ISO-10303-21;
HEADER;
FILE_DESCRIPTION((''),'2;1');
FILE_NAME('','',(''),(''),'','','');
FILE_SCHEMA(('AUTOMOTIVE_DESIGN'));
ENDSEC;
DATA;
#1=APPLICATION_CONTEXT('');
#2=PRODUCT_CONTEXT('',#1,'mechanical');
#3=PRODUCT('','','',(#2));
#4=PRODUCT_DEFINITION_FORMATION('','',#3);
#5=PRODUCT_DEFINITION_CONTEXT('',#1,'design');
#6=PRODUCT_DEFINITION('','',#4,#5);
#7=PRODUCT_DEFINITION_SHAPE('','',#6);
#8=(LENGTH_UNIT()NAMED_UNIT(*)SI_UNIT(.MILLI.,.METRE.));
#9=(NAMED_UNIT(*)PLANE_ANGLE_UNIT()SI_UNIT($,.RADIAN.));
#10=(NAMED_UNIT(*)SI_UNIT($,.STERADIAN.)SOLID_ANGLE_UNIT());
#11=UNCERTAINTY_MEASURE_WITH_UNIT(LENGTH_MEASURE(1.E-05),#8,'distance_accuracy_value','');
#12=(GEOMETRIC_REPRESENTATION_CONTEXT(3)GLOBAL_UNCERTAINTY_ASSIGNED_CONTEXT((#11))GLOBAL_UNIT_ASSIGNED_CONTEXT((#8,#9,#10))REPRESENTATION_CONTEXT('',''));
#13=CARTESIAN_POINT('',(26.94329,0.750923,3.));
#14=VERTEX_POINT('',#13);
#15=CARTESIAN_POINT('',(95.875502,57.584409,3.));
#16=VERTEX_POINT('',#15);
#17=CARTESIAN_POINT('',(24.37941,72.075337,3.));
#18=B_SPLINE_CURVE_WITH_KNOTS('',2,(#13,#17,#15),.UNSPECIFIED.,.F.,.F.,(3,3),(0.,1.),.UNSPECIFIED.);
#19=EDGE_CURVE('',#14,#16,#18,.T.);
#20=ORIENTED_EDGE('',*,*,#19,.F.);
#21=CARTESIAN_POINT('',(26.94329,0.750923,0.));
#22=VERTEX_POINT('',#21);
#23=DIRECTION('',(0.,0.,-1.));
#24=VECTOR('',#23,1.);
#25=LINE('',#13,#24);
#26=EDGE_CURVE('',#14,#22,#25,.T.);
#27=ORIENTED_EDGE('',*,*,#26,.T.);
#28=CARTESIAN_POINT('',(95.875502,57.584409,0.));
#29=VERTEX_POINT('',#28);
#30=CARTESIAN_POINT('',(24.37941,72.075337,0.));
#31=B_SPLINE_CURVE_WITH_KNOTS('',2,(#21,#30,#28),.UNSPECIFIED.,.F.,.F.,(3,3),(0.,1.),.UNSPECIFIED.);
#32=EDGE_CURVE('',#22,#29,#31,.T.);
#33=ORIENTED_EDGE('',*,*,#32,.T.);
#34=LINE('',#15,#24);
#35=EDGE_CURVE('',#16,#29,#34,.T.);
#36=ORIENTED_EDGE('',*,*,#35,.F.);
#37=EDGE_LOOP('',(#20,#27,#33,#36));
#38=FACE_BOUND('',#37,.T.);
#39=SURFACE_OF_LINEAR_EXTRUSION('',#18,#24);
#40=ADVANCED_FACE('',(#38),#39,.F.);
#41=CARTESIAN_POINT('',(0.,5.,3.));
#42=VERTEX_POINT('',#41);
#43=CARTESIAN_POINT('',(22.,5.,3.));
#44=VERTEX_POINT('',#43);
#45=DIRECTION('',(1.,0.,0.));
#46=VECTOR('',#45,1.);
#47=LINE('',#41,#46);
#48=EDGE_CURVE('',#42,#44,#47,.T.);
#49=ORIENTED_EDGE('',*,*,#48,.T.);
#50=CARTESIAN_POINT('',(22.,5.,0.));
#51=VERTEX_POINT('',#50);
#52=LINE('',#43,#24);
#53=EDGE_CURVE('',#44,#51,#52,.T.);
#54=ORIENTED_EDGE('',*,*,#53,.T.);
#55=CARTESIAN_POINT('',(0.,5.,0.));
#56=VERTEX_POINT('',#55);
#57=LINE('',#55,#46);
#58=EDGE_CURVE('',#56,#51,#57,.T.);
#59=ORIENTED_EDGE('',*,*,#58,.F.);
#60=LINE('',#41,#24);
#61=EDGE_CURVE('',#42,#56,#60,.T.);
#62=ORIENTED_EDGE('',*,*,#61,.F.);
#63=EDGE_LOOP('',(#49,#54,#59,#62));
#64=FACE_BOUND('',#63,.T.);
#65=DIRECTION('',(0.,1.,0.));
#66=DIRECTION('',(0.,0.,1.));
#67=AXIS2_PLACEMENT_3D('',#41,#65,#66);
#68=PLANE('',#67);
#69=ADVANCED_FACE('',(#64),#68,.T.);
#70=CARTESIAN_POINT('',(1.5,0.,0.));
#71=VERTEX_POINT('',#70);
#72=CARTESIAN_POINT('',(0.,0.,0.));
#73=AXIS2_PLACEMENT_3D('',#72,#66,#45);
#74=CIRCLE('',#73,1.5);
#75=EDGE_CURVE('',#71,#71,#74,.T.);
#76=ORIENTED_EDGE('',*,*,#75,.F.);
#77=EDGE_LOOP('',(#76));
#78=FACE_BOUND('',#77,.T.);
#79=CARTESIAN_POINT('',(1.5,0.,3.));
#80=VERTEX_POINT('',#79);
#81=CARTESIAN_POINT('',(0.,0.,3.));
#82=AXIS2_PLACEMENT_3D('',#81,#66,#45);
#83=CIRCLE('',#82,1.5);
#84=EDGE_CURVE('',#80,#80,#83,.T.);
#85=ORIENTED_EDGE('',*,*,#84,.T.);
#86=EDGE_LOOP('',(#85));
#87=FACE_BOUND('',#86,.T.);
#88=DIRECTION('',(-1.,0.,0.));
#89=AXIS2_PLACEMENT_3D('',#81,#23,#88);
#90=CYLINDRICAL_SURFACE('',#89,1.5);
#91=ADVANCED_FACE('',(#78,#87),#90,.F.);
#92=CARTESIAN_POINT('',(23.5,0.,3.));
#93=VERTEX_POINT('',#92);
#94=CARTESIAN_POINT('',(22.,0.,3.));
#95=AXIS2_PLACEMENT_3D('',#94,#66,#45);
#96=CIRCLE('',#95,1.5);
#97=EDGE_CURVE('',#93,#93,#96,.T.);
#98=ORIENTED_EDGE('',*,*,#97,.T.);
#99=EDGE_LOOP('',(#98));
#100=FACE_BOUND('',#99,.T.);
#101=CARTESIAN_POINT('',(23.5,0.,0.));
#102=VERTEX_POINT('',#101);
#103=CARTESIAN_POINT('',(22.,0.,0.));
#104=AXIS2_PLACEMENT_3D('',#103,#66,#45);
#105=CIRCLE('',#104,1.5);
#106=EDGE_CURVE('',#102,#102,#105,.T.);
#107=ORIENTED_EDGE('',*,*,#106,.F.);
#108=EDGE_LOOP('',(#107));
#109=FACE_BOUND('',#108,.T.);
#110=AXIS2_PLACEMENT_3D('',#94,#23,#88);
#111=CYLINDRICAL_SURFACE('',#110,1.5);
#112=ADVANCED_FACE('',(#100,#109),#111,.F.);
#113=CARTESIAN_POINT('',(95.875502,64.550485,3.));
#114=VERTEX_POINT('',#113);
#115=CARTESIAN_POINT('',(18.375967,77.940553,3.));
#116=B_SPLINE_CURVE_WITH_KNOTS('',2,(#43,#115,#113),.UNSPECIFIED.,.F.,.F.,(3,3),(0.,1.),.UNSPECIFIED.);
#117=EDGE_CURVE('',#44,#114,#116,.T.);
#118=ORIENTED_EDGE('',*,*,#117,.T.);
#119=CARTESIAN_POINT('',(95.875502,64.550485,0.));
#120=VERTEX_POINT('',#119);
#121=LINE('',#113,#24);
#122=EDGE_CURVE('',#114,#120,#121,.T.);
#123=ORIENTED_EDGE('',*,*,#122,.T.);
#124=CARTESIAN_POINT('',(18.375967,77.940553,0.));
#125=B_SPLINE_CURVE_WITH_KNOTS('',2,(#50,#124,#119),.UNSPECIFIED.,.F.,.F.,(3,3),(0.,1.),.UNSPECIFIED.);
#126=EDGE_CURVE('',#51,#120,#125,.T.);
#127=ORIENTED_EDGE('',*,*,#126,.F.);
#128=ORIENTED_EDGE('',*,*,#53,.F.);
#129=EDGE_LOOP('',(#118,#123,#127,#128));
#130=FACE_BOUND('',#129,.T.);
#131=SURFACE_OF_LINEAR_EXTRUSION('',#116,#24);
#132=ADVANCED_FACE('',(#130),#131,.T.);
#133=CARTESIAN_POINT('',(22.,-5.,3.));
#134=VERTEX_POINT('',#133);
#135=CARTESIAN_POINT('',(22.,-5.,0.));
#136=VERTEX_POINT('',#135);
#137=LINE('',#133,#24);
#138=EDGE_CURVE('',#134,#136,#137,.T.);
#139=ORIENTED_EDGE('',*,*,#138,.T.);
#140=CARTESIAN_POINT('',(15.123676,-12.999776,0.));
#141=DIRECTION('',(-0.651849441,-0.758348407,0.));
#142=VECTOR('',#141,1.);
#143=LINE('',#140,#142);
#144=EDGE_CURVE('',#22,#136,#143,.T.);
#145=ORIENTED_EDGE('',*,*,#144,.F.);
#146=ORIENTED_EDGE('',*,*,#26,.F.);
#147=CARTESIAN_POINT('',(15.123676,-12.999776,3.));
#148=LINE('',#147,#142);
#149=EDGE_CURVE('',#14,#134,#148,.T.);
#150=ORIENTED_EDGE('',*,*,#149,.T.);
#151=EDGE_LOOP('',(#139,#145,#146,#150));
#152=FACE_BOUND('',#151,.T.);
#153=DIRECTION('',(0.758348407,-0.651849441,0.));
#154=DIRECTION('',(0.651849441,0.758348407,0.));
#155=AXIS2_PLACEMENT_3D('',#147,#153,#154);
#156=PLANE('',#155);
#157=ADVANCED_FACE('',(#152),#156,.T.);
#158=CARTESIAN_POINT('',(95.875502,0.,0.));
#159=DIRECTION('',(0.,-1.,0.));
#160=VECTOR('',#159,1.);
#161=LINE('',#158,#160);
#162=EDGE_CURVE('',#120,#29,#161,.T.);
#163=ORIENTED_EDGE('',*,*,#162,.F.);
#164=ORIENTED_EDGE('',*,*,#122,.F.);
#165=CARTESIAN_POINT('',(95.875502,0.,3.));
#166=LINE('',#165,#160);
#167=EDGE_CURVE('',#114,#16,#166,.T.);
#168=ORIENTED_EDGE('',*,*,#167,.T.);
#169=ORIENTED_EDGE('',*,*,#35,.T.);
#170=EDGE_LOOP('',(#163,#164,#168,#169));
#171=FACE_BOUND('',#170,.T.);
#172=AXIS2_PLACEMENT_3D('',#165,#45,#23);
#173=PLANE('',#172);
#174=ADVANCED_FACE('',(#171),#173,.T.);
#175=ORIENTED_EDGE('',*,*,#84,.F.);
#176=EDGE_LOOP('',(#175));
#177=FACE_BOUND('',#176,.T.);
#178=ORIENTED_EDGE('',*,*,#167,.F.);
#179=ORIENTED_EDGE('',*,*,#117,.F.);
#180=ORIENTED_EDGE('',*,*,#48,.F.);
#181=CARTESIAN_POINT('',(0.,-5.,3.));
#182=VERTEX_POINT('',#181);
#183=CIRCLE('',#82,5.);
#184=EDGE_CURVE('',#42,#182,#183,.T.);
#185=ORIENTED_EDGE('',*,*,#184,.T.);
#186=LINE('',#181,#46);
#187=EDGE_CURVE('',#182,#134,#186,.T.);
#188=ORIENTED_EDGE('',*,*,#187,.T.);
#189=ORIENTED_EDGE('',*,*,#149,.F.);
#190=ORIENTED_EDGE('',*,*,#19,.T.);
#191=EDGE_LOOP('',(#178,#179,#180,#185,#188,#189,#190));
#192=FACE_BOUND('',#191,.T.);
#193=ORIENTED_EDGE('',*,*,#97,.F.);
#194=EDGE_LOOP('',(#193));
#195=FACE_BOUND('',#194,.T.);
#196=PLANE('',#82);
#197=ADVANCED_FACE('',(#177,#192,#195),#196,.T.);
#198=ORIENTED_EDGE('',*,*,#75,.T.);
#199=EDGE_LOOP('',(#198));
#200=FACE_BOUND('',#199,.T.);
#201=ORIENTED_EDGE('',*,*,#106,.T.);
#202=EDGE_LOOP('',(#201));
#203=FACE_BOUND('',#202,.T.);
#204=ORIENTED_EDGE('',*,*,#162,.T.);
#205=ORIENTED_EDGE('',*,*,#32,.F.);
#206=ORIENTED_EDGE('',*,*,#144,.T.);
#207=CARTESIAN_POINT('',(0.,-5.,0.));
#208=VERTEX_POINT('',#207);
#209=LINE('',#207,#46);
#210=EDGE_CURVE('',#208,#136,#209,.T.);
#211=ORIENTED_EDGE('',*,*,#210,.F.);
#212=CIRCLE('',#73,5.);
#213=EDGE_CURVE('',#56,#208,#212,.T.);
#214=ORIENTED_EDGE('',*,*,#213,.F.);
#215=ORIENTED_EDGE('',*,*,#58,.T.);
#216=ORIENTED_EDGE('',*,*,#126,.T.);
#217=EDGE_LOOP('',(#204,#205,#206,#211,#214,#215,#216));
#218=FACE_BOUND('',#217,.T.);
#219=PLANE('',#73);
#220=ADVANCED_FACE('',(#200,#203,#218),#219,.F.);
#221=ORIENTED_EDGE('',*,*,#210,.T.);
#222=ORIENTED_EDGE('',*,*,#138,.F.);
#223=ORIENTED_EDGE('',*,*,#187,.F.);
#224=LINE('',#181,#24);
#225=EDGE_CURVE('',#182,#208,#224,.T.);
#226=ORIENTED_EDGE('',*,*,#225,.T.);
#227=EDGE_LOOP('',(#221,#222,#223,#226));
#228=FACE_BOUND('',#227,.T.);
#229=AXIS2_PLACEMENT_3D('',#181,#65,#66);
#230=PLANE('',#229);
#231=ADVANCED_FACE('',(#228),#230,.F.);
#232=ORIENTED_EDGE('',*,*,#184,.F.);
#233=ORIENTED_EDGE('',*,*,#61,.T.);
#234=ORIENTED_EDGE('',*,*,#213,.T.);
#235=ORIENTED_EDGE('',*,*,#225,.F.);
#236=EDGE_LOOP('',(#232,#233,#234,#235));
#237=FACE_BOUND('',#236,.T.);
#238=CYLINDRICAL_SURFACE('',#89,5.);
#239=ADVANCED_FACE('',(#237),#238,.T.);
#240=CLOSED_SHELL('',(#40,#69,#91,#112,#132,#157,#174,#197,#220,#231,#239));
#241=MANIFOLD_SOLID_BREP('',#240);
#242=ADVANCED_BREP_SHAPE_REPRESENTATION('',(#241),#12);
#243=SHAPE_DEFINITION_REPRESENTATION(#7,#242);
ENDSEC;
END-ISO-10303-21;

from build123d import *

# Parameters (mm, degrees)
SKETCH1_R           = 1.5
BOSS_EXTRUDE1_DEPTH = 3


with BuildPart() as part:
    # Sketch1 → Boss-Extrude1 (new body)
    with BuildSketch(Plane.XY):
        with BuildLine():
            Line((0, 5), (22, 5))
            add(Edge.make_bspline(
                [(22, 5), (18.375967342, 77.940552932), (95.875501698, 64.550484918)],
                knots=[0, 0, 0, 1, 1, 1], degree=2))
            Line((95.875501698, 64.550484918), (95.875501698, 57.584409058))
            add(Edge.make_bspline(
                [(26.94328985, 0.750923068), (24.379410311, 72.075337148), (95.875501698, 57.584409058)],
                knots=[0, 0, 0, 1, 1, 1], degree=2))
            Line((26.94328985, 0.750923068), (22, -5))
            Line((22, -5), (0, -5))
            ThreePointArc((0, -5), (-5, 0), (0, 5))
        make_face()
        Circle(SKETCH1_R, mode=Mode.SUBTRACT)
        with Locations((22, 0)):
            Circle(SKETCH1_R, mode=Mode.SUBTRACT)
    extrude(amount=BOSS_EXTRUDE1_DEPTH)


solid = part.part
